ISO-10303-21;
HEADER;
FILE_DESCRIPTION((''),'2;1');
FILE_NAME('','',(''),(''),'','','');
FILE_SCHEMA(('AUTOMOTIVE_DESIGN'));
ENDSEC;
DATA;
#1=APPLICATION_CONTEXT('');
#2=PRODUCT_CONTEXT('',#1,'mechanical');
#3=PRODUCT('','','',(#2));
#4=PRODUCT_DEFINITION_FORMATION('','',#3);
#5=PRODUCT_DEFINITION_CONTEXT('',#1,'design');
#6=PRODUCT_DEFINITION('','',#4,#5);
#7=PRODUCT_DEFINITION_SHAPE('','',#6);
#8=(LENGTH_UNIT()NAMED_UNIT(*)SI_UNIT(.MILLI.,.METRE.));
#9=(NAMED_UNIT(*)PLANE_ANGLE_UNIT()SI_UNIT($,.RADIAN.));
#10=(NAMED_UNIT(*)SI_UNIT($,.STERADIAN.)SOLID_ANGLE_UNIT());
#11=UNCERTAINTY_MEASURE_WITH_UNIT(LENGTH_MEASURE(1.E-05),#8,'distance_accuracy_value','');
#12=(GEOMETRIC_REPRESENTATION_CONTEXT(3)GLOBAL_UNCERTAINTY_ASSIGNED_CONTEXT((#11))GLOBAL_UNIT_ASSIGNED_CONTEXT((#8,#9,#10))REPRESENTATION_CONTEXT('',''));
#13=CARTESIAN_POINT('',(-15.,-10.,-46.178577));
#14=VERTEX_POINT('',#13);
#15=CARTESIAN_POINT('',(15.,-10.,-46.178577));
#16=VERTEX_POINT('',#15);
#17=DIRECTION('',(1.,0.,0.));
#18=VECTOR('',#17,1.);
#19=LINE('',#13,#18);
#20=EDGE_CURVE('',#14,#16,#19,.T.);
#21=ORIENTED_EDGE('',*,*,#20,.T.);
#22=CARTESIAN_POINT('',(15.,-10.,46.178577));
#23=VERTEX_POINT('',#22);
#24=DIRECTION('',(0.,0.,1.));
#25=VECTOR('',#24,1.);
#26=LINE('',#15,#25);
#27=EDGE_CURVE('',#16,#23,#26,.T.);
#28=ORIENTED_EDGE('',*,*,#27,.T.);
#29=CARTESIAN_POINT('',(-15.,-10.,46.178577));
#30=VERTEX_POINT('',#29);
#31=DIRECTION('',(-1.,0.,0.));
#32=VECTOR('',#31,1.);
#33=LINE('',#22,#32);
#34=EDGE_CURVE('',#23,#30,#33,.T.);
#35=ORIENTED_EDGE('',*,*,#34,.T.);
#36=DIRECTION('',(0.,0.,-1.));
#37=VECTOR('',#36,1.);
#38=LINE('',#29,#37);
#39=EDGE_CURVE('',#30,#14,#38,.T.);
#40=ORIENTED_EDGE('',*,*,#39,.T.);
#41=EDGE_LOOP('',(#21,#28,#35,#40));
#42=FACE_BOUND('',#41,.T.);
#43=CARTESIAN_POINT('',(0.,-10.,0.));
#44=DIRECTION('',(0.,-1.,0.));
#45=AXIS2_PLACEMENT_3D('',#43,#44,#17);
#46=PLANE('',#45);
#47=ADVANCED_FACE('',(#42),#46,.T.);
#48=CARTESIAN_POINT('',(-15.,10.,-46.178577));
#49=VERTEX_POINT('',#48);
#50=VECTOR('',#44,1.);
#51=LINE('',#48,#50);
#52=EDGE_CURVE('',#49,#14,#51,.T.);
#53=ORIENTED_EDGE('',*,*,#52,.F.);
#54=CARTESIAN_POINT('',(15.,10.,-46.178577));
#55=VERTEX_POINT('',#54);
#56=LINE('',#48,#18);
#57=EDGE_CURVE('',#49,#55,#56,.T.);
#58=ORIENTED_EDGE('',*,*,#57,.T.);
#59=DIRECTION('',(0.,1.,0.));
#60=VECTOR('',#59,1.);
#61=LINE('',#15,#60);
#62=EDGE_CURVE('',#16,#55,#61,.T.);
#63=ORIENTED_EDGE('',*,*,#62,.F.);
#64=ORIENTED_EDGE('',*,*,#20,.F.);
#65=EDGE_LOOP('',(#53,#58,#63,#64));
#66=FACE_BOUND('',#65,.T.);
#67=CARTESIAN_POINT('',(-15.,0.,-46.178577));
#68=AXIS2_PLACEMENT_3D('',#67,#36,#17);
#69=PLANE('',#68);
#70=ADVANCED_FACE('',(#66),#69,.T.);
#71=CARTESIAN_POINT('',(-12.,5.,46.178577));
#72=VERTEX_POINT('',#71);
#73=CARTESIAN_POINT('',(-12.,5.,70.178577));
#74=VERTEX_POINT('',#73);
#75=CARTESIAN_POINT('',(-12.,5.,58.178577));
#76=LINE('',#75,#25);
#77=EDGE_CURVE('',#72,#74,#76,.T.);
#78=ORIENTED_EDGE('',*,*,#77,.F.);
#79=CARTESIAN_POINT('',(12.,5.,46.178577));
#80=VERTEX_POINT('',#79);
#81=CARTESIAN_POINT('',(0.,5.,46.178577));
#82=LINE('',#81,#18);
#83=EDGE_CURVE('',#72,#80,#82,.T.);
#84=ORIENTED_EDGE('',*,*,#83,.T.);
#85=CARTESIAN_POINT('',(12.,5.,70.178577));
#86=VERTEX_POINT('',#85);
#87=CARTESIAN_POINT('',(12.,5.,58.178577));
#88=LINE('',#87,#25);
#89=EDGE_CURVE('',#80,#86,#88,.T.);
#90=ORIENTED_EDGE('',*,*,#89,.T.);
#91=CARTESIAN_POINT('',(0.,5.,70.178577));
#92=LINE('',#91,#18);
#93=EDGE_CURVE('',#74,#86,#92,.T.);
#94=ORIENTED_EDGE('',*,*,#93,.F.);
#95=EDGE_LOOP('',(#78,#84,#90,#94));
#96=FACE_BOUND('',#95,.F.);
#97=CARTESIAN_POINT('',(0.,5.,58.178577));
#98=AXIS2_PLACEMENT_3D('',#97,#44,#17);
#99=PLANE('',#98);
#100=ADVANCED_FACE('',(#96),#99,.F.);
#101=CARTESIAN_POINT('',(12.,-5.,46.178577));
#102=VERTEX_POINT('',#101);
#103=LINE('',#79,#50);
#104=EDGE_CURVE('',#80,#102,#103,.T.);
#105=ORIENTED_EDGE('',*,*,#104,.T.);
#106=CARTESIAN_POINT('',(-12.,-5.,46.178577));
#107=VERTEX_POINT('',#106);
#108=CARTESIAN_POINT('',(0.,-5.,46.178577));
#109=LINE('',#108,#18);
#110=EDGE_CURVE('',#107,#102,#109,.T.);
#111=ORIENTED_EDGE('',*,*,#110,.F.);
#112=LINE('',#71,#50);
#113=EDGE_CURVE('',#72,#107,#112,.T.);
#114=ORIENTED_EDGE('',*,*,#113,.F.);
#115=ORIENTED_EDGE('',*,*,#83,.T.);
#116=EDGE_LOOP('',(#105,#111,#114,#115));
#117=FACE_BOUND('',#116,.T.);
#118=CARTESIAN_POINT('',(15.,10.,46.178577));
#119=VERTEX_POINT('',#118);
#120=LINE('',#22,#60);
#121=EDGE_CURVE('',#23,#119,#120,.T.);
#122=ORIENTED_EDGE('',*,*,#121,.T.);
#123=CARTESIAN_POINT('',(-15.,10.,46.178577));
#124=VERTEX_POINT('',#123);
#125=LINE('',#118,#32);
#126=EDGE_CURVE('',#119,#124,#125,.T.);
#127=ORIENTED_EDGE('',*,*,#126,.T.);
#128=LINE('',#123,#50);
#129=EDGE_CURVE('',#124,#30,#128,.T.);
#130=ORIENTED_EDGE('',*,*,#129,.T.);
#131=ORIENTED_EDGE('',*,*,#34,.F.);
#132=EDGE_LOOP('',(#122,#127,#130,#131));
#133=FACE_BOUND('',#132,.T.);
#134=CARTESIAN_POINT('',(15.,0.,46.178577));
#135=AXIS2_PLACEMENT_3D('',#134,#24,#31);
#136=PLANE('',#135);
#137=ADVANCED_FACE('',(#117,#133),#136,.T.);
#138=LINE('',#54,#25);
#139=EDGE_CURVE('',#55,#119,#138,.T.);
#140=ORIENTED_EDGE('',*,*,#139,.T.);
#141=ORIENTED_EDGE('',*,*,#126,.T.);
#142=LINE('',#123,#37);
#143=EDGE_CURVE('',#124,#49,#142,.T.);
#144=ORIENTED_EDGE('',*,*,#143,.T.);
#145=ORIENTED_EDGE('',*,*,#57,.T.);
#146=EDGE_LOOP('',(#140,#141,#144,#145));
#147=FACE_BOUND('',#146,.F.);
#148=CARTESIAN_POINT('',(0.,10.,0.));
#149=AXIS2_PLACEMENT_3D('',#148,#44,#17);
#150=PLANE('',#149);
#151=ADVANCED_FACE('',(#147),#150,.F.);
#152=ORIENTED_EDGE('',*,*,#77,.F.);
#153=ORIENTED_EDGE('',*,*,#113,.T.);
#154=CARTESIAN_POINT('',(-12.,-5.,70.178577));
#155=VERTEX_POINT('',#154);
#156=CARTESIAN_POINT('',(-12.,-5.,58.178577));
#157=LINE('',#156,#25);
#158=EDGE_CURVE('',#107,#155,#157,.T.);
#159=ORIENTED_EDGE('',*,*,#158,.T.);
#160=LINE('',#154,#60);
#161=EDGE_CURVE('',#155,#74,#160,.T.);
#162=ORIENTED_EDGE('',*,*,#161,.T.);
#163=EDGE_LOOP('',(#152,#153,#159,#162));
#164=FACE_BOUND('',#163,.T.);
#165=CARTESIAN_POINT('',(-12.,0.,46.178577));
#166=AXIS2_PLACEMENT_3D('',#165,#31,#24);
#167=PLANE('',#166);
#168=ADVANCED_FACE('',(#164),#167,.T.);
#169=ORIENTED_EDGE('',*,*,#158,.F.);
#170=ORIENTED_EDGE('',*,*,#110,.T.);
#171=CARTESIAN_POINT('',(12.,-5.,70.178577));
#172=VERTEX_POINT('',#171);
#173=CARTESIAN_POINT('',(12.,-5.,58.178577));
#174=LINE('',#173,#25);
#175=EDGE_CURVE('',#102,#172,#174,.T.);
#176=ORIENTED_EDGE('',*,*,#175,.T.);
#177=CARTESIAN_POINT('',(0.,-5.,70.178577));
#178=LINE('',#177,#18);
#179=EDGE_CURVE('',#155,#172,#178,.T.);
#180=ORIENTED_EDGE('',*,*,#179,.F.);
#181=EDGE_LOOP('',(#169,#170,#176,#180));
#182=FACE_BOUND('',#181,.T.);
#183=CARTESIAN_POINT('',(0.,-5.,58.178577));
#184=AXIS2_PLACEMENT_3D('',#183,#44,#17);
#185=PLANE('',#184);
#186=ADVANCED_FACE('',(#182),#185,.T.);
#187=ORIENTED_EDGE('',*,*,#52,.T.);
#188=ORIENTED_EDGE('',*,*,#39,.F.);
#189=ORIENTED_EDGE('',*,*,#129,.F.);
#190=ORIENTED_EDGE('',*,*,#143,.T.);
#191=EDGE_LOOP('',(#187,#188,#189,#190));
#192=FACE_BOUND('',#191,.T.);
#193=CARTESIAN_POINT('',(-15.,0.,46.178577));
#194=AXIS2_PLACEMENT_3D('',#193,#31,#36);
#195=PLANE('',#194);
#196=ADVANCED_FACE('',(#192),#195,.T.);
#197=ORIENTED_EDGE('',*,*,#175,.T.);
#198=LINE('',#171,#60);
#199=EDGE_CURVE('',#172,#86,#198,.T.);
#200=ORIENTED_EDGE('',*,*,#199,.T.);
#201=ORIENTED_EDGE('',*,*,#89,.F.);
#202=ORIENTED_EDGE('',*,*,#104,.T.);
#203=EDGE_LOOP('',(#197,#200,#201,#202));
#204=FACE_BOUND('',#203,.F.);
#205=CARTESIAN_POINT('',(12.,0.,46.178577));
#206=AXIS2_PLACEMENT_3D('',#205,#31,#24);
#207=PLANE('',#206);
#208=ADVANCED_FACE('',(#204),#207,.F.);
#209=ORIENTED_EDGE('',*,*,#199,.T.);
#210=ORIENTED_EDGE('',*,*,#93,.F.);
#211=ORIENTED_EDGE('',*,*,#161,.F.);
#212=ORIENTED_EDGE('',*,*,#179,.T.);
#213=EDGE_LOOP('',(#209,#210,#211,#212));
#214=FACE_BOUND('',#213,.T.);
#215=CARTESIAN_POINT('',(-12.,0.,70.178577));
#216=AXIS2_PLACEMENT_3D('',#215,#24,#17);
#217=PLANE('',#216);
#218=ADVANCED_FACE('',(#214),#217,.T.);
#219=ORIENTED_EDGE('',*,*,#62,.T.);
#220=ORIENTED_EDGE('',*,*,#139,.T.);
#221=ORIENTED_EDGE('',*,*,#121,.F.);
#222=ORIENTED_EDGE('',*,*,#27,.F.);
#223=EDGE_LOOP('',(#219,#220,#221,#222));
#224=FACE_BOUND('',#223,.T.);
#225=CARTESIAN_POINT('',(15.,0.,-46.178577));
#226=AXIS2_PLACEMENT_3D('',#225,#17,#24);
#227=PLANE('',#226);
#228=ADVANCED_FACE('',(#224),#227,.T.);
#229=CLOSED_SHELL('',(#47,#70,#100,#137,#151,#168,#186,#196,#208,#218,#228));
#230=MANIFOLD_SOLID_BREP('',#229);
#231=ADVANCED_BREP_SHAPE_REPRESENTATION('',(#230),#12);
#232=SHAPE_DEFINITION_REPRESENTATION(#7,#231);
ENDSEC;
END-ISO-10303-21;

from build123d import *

# Parameters (mm, degrees)
F1_DEPTH = 10
F2_DEPTH = 10
F0_W     = 24
F0_H     = 24
F3_DEPTH = 5
F4_DEPTH = 5


with BuildPart() as f1:
    # F0 (on Front) → F1 (new body)
    with BuildSketch(Plane.XZ):
        Polygon((15, 46.178577), (12, 46.178577), (-12, 46.178577), (-15, 46.178577), (-15, -20.821423), (-15, -46.178577), (0, -46.178577), (15, -46.178577), (15, -20.821423), align=None)
    extrude(amount=F1_DEPTH)

    # F0 (on Front) → F2 (join)
    with BuildSketch(Plane.XZ):
        Polygon((15, 46.178577), (12, 46.178577), (-12, 46.178577), (-15, 46.178577), (-15, -20.821423), (-15, -46.178577), (0, -46.178577), (15, -46.178577), (15, -20.821423), align=None)
    extrude(amount=-F2_DEPTH)

    # F0 (on Front) → F3 (join)
    with BuildSketch(Plane.XZ):
        with Locations((0, 58.178577)):
            Rectangle(F0_W, F0_H)
    extrude(amount=-F3_DEPTH)

    # F0 (on Front) → F4 (join)
    with BuildSketch(Plane.XZ):
        with Locations((0, 58.178577)):
            Rectangle(F0_W, F0_H)
    extrude(amount=F4_DEPTH)


solid = f1.part
